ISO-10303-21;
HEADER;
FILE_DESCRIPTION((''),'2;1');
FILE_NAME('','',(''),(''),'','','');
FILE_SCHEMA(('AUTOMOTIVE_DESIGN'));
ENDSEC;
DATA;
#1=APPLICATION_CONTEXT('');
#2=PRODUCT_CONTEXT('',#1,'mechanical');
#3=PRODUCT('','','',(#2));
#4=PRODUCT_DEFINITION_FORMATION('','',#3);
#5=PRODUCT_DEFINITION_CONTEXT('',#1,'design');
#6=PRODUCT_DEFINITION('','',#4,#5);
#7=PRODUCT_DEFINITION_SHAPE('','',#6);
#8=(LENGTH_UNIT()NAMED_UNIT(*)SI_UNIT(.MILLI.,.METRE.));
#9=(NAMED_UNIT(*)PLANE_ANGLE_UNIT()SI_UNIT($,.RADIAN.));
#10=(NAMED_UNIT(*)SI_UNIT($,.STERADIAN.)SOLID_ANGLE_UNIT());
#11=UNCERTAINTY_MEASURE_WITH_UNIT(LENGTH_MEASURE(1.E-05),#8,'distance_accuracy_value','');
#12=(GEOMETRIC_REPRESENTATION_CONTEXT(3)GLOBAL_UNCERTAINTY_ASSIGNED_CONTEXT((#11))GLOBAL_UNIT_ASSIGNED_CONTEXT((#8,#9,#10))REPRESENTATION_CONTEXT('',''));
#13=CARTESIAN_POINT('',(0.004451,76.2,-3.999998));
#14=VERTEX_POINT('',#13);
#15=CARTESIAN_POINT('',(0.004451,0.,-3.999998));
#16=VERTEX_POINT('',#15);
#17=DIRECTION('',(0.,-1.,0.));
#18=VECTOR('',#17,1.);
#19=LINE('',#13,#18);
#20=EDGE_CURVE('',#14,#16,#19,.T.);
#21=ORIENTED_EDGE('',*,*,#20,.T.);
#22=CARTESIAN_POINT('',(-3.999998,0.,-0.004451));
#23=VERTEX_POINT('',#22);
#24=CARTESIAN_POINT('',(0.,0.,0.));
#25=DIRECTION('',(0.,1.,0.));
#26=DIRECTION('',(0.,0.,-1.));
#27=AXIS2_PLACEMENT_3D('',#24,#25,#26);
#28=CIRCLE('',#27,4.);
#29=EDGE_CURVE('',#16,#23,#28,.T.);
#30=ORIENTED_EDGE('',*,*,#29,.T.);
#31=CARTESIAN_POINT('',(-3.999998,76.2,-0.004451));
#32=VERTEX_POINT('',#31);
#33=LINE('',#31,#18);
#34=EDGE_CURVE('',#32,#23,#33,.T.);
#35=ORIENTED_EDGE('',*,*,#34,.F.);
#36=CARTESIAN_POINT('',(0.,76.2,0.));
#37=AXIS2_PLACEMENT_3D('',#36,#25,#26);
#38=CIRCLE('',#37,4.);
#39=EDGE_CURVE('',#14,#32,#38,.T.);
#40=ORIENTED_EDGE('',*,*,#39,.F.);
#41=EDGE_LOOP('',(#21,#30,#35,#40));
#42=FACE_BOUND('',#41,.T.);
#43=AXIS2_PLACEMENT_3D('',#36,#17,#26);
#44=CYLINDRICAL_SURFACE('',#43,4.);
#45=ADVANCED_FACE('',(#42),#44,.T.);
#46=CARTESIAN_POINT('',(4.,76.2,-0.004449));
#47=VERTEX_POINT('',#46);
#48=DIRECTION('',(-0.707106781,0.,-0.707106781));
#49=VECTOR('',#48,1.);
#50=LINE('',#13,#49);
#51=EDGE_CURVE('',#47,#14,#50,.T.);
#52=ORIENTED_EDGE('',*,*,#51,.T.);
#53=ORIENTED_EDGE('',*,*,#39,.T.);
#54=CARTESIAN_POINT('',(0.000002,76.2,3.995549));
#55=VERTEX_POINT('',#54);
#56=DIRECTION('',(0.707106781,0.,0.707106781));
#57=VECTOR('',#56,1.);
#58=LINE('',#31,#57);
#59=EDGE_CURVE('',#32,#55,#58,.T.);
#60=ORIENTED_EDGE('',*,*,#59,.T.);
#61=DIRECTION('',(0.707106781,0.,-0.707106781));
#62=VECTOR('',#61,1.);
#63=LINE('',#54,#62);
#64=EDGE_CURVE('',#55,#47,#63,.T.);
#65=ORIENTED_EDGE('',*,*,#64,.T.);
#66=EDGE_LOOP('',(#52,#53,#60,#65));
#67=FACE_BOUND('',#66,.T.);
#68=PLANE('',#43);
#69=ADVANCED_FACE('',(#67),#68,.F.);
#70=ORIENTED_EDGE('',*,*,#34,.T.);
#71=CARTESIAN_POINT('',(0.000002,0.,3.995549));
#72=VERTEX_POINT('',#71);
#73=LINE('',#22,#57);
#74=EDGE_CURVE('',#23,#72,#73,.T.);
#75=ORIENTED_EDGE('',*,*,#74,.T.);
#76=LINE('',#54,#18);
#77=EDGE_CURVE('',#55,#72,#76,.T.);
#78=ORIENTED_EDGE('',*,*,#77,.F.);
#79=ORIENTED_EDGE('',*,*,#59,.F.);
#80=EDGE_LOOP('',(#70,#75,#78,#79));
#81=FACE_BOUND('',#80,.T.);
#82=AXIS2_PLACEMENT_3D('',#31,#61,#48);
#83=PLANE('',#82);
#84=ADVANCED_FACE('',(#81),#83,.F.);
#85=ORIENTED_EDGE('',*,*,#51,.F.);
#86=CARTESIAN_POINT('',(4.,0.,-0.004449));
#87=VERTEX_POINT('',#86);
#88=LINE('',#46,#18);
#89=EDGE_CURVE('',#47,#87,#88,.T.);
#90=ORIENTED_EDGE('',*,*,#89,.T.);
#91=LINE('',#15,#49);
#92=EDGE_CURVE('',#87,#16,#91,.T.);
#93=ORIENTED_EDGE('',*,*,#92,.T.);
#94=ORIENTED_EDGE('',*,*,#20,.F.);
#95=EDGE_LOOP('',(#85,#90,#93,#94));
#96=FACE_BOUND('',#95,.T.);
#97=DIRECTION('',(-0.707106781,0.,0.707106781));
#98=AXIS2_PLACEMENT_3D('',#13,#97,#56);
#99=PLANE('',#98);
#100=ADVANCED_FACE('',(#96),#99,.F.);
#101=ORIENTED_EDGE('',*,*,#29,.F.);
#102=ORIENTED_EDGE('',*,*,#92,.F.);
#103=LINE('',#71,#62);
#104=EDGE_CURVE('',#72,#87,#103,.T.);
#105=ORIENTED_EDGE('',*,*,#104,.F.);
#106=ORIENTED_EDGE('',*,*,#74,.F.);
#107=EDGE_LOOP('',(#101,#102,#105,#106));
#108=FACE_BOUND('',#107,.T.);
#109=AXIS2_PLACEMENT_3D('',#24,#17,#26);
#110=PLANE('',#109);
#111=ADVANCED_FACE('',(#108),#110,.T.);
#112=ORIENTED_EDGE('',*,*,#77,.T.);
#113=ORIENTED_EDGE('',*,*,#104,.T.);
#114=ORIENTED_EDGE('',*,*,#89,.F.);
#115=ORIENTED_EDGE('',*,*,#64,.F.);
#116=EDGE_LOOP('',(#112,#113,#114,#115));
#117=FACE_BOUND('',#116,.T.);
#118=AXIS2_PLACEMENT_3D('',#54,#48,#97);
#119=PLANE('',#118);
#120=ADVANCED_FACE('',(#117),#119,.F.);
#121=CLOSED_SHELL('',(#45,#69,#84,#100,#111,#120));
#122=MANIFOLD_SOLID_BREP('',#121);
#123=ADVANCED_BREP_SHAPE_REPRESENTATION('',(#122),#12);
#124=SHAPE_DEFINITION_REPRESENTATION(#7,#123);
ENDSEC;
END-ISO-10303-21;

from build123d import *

# Parameters (mm, degrees)
BOSS_EXTRUDE2_DEPTH = 76.2


with BuildPart() as part:
    # Sketch1 → Boss-Extrude2 (new body)
    with BuildSketch(Plane(origin=(0, 0, 0), x_dir=(1, 0, 0), z_dir=(0, 1, 0))):
        with BuildLine():
            Line((-3.999997523, 0.00445124), (2.477e-06, -3.995548761))
            Line((2.477e-06, -3.995548761), (4, 0.004448763))
            Line((4, 0.004448763), (0.00445124, 3.999997523))
            ThreePointArc((0.00445124, 3.999997523), (-2.825277872, 2.831572875), (-3.999997523, 0.00445124))
        make_face()
    extrude(amount=BOSS_EXTRUDE2_DEPTH)


solid = part.part
